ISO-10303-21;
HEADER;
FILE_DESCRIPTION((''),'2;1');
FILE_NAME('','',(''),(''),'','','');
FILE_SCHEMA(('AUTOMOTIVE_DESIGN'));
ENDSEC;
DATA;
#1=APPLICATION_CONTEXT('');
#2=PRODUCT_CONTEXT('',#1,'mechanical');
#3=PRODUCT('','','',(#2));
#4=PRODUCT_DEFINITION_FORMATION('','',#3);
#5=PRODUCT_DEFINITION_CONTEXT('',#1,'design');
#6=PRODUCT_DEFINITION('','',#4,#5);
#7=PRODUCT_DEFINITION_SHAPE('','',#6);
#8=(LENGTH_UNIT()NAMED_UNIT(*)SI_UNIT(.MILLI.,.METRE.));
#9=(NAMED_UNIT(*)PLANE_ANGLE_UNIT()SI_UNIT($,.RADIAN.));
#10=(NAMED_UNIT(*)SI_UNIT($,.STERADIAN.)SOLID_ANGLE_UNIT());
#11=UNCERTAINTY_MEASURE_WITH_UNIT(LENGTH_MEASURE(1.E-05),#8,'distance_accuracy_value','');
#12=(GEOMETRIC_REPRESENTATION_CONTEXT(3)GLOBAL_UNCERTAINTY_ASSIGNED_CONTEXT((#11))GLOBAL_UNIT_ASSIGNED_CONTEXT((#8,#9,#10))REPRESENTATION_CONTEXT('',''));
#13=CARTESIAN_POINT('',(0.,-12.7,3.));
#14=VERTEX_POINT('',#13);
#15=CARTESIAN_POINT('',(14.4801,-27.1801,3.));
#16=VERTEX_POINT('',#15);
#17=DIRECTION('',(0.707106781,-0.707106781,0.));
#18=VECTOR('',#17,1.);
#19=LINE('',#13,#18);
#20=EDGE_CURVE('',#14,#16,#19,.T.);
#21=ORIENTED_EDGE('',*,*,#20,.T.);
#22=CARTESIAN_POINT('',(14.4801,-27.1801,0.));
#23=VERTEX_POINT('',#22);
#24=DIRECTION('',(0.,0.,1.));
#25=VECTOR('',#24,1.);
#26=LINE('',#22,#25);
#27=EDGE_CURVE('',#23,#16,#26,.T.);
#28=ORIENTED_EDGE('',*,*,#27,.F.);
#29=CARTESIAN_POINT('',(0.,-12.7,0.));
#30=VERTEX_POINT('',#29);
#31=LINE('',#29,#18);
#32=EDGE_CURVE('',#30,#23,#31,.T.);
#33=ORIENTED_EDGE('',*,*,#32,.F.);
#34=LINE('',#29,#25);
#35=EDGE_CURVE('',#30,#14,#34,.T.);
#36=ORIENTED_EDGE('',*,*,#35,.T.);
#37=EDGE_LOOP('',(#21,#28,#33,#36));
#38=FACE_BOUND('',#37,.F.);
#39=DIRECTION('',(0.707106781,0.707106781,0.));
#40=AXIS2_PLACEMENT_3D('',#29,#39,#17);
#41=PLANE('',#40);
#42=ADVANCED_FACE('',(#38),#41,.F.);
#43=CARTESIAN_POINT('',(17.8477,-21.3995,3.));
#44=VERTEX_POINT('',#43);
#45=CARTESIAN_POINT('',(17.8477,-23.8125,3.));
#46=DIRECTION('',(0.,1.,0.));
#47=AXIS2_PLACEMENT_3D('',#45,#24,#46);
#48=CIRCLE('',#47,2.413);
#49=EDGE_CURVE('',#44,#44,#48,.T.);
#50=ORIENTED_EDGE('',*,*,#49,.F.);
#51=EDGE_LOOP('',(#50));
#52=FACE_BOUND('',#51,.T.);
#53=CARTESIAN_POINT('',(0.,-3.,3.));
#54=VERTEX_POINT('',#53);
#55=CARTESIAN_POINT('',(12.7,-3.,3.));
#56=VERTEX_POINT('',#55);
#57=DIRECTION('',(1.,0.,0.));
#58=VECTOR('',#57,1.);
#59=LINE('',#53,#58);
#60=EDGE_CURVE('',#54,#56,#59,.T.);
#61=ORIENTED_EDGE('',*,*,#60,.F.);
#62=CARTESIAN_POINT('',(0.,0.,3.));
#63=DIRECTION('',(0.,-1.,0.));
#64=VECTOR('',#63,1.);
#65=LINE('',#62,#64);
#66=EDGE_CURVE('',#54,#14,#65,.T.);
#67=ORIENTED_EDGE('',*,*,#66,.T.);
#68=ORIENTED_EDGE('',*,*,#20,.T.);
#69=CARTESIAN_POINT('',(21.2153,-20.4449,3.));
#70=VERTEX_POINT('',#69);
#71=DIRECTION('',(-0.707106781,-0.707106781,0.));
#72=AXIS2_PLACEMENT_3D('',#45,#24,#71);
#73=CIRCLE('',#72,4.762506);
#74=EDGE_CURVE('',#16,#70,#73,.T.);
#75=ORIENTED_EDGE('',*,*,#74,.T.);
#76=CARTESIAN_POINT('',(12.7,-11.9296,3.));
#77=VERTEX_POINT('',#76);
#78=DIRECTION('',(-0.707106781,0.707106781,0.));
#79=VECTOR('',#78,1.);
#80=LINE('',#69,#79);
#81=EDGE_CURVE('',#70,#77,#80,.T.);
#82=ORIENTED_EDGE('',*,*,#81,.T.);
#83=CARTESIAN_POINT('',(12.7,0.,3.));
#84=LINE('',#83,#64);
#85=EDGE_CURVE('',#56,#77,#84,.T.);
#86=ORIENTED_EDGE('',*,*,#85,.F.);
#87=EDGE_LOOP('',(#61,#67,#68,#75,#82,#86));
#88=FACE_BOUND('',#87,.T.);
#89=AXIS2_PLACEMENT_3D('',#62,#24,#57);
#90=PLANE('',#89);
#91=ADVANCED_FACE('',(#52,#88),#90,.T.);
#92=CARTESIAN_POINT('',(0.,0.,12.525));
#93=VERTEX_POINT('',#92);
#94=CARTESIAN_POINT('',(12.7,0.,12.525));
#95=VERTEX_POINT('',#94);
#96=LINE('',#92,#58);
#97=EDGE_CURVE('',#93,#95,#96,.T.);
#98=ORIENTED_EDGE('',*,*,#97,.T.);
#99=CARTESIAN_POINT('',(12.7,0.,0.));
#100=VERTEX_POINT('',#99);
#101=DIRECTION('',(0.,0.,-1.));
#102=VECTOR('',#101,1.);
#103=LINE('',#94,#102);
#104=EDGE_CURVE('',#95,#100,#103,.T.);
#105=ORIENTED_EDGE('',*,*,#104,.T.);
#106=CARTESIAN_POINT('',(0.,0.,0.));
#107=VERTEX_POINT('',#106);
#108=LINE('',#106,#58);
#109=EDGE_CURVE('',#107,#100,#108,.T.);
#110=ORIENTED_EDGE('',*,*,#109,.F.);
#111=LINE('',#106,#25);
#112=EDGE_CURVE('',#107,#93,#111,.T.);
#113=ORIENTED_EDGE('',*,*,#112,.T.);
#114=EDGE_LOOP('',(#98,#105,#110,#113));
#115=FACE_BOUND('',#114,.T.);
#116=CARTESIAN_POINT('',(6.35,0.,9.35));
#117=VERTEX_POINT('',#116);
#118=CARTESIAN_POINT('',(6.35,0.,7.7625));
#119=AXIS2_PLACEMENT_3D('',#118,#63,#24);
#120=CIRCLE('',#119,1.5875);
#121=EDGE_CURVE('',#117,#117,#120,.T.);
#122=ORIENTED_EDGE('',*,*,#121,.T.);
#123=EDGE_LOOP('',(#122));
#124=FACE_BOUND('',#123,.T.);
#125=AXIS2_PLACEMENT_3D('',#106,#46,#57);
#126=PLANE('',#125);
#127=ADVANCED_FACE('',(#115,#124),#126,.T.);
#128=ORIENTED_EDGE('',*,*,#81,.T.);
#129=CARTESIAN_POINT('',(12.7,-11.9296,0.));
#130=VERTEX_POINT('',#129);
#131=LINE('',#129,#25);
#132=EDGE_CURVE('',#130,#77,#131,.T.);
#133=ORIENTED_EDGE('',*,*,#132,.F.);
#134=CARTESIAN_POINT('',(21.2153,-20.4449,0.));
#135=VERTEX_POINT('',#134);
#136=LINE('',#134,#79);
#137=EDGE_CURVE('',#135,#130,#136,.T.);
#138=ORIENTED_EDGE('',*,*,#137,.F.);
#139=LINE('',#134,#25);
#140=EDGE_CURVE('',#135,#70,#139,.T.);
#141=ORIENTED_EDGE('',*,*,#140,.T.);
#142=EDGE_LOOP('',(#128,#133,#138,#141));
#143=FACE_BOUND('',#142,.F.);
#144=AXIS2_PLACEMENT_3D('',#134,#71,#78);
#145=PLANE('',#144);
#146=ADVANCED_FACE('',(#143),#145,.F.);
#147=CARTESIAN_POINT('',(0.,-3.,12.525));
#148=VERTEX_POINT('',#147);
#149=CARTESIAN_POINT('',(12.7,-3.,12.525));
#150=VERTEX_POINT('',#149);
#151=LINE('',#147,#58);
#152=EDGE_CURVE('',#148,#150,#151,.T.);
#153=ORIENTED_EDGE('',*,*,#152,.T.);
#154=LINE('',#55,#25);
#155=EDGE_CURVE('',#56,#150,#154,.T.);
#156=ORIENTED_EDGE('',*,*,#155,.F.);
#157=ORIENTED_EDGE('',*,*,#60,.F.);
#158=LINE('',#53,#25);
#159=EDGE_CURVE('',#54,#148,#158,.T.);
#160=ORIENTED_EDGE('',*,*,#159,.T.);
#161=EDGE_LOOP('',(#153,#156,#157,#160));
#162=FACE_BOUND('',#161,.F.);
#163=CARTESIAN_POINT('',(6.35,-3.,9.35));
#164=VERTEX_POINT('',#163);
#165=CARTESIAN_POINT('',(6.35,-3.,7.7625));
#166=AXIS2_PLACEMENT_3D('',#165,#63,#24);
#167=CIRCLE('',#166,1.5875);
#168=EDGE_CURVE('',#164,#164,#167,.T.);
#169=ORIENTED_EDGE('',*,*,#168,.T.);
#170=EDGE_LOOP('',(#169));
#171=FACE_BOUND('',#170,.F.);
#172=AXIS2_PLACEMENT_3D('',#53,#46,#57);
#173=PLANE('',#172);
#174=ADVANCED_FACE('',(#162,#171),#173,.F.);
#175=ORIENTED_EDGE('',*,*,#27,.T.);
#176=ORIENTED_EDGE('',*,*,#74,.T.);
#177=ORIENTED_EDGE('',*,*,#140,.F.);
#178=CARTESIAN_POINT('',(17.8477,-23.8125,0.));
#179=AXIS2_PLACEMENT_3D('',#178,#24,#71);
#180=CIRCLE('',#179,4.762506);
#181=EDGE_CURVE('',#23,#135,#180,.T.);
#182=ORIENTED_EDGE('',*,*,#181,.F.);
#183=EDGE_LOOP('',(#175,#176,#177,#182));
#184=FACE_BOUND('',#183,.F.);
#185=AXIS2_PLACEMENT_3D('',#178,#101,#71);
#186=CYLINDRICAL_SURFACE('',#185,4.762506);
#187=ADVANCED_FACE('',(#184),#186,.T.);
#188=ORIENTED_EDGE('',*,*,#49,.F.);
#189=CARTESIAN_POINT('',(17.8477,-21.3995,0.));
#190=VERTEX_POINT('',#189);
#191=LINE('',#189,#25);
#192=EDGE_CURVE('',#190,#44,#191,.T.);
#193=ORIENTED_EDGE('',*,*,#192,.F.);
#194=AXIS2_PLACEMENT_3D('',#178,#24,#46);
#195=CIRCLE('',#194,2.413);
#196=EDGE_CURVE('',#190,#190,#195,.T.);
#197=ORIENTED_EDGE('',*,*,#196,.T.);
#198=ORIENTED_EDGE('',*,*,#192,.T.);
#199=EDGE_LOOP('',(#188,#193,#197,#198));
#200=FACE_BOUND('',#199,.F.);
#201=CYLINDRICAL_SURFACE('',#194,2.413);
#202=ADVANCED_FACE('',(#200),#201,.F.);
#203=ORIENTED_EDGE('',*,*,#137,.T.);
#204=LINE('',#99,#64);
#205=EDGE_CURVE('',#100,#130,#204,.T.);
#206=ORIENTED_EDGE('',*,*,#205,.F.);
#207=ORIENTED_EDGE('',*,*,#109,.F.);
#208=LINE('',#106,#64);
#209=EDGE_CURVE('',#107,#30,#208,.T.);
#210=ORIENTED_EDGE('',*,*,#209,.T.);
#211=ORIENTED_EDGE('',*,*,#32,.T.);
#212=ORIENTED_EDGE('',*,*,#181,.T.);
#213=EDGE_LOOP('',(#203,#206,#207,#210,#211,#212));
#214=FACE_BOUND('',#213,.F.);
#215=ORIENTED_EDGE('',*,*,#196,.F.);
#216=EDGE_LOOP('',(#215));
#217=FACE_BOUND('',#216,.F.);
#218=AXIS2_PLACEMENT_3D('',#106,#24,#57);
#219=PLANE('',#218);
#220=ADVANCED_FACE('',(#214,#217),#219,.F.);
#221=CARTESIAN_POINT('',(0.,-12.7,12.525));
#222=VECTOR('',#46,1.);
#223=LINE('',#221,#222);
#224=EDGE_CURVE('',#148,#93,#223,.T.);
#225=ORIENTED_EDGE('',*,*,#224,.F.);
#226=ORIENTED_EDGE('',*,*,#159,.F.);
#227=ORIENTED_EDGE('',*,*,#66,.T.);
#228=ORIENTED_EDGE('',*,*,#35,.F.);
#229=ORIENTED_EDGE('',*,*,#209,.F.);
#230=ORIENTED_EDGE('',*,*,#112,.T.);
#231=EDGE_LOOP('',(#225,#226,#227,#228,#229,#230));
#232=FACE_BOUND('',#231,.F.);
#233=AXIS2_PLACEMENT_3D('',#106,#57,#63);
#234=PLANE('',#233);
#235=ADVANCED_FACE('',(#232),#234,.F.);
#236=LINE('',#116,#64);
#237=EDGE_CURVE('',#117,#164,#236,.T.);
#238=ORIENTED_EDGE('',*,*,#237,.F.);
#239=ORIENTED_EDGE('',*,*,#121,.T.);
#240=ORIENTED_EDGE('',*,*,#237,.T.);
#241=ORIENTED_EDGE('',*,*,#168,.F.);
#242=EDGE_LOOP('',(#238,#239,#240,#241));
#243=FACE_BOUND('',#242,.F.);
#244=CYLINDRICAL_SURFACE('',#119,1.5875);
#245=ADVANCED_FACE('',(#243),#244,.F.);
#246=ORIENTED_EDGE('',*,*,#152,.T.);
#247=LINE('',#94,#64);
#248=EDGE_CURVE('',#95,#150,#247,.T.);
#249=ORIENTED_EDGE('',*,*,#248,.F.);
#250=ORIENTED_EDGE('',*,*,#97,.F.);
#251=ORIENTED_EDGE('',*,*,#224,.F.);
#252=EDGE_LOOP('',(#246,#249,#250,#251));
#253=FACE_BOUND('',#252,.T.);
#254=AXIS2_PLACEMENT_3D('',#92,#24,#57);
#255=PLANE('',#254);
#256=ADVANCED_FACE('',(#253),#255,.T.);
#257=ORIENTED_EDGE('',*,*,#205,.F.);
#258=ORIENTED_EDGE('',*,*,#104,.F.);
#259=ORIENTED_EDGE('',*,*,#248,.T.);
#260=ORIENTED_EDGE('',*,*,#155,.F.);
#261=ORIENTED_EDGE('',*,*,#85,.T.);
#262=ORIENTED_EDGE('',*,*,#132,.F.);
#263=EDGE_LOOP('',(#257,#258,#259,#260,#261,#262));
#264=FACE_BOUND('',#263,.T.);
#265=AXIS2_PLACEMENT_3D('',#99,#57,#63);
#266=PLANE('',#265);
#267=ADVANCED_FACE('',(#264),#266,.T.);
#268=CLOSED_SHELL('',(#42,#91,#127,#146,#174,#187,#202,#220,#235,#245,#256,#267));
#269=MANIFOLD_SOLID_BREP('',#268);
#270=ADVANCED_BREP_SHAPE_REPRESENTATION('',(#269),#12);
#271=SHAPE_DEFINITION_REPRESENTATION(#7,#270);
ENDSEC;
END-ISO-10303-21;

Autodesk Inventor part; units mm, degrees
ref_plane "YZ Plane" through (0, 0, 0) normal (1, 0, 0) x (0, 1, 0)
ref_plane "XZ Plane" through (0, 0, 0) normal (0, 1, 0) x (-1, 0, 0)
ref_plane "XY Plane" through (0, 0, 0) normal (0, 0, 1) x (1, 0, 0)
sketch "Sketch1" plane through (0, 0, 0) normal (0, 0, 1) x (1, 0, 0)
  line L0 (0, 0) -> (12.7, 0)
  line L1 (12.7, 0) -> (12.7, -11.9296)
  line L2 (0, 0) -> (0, -12.7)
  line L3 (0, -12.7) -> (14.4801, -27.1801)
  arc A0 (14.4801, -27.1801) -> (21.2153, -20.4449) centre (17.8477, -23.8125) ccw
  line L4 (21.2153, -20.4449) -> (12.7, -11.9296)
  dimension "d10" = 12.7
  dimension "d11" = 12.7
  dimension "d12" = 45
  dimension "d13" = 23.8125
  dimension "d14" = 4.7625
extrude "Extrusion1" add sketch "Sketch1" along normal blind 3
sketch "Sketch2" plane through (0, 0, 3) normal (0, 0, 1) x (1, 0, 0)
  line L0 (12.7, 0) -> (12.7, -11.9296) projected
  line L1 (0, 0) -> (12.7, 0) projected
  line L2 (0, -12.7) -> (0, 0) projected
  line L3 (0, -3) -> (12.7, -3)
  dimension "d17" = 3
extrude "Extrusion2" add sketch "Sketch2" along normal blind 9.525
sketch "Sketch3" plane through (0, 0, 0) normal (0, 1, 0) x (1, 0, 0)
  line L0 (0, 0) -> (0, -12.525) projected
  line L1 (0, -12.525) -> (12.7, -12.525) projected
  point P0 (6.35, -7.7625)
  dimension "d20" = 4.7625
  dimension "d21" = 6.35
hole "Hole1" at (6.35, 0, 7.7625) direction (0, -1, 0) diameter 3.175 end through all
sketch "Sketch4" plane through (0, 0, 0) normal (0, 0, -1) x (-1, 0, 0)
  arc A0 (-21.2153, -20.4449) -> (-14.4801, -27.1801) centre (-17.8477, -23.8125) ccw projected
hole "Hole2" at (17.8477, -23.8125, 0) direction (0, 0, 1) diameter 4.826 end through all
properties part number "PWTR-0043" material "Stainless Steel, 303"
